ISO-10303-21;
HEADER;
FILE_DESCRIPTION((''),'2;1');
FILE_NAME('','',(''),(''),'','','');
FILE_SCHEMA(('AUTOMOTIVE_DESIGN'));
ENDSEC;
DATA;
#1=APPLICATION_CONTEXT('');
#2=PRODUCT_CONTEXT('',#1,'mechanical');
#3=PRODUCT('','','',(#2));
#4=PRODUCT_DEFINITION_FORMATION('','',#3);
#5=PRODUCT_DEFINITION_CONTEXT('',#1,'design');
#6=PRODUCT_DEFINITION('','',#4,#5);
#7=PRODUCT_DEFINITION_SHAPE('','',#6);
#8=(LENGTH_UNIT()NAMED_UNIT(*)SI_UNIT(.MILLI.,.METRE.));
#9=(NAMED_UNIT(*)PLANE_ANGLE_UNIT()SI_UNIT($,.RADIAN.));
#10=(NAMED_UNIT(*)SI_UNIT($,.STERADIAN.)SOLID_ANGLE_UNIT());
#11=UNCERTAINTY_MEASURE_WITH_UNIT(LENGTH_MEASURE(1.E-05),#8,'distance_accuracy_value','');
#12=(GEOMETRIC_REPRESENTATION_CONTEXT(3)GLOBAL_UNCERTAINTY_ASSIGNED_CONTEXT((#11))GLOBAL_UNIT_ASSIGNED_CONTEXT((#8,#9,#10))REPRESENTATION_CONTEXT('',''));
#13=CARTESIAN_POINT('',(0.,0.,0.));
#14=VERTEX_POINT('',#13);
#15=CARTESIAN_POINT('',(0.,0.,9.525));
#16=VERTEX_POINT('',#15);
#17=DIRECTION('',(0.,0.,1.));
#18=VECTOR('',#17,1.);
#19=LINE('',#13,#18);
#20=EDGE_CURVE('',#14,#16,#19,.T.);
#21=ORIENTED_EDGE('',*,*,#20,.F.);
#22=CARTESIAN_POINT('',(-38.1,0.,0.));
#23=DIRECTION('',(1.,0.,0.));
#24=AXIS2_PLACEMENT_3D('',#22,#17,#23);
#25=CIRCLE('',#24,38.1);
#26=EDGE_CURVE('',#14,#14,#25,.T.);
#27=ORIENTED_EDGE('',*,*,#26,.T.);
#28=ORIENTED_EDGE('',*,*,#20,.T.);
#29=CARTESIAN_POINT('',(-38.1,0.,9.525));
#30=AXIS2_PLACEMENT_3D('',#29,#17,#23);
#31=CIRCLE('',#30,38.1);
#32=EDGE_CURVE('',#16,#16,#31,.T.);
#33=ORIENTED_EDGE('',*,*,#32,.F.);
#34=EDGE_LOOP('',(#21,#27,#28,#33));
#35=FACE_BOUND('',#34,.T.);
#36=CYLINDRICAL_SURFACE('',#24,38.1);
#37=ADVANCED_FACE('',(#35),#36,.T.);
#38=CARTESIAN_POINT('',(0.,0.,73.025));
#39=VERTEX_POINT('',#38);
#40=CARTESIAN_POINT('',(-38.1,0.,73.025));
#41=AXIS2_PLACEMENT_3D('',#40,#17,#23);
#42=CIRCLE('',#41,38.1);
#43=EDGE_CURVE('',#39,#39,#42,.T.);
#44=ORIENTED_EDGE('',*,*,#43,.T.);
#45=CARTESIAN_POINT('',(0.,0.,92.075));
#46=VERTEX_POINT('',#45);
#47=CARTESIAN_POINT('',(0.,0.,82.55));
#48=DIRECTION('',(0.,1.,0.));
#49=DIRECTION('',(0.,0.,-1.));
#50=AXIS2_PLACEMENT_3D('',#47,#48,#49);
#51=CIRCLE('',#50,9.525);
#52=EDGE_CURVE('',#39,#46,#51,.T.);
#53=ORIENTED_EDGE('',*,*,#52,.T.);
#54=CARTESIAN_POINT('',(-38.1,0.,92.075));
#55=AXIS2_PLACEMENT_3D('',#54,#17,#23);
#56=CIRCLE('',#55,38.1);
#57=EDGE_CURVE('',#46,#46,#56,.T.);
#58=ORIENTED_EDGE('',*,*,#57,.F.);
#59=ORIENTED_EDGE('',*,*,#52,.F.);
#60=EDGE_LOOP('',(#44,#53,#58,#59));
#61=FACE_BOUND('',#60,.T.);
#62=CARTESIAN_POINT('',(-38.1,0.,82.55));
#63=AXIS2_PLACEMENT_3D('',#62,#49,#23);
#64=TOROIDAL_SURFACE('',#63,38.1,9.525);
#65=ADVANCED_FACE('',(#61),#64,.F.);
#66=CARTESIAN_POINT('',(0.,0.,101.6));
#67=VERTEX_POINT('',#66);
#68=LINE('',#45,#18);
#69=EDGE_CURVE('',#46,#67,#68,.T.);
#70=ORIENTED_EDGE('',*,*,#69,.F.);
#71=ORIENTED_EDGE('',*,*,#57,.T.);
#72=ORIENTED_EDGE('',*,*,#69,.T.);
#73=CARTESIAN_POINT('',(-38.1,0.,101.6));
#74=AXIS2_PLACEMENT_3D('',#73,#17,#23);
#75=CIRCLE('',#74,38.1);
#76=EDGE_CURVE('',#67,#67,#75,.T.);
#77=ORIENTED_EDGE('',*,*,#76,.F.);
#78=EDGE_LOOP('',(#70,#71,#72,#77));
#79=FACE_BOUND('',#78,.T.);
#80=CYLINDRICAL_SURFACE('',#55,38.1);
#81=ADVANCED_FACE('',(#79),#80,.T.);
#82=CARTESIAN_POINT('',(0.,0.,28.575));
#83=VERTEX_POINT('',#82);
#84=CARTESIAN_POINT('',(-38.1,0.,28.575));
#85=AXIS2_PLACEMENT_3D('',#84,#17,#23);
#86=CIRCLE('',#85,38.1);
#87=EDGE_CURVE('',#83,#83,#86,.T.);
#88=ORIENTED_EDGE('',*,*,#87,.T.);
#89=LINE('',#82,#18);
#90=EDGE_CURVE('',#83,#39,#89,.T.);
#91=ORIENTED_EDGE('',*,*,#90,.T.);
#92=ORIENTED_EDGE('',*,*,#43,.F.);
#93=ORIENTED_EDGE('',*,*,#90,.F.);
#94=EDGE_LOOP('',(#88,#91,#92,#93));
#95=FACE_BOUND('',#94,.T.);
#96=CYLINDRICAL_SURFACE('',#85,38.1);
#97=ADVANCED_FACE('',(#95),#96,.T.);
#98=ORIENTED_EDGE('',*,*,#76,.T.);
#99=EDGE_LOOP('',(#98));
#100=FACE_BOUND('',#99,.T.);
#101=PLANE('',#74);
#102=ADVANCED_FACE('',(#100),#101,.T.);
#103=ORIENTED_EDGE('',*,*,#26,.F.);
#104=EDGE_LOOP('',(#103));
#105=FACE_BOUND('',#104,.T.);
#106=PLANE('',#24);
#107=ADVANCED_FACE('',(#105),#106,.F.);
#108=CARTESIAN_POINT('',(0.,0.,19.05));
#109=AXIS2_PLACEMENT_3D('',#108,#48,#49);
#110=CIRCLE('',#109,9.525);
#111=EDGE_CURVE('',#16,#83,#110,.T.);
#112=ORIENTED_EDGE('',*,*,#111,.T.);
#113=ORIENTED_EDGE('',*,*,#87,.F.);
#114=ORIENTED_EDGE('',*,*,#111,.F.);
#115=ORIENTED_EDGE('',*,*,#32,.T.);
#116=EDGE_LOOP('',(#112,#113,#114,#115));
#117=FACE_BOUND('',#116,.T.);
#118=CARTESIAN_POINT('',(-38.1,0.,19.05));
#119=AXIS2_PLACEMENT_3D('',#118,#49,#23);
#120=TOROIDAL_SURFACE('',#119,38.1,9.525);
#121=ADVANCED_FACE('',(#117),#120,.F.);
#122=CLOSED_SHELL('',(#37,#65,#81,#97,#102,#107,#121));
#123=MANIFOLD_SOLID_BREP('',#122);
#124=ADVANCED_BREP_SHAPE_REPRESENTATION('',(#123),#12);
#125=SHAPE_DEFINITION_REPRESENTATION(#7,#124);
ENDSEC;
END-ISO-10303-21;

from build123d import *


with BuildPart() as f1:
    # F0 (on Front) → F1 (revolve)
    with BuildSketch(Plane.XZ):
        with BuildLine():
            Line((-38.1, 0), (0, 0))
            Line((0, 0), (0, 9.525))
            ThreePointArc((0, 9.525), (-9.525, 19.05), (0, 28.575))
            Line((0, 28.575), (0, 73.025))
            ThreePointArc((0, 73.025), (-9.525, 82.55), (0, 92.075))
            Line((0, 92.075), (0, 101.6))
            Line((0, 101.6), (-38.1, 101.6))
            Line((-38.1, 101.6), (-38.1, 0))
        make_face()
    revolve(axis=Axis((-38.1, 0, 50.8), (0, 0, 1)))


solid = f1.part
